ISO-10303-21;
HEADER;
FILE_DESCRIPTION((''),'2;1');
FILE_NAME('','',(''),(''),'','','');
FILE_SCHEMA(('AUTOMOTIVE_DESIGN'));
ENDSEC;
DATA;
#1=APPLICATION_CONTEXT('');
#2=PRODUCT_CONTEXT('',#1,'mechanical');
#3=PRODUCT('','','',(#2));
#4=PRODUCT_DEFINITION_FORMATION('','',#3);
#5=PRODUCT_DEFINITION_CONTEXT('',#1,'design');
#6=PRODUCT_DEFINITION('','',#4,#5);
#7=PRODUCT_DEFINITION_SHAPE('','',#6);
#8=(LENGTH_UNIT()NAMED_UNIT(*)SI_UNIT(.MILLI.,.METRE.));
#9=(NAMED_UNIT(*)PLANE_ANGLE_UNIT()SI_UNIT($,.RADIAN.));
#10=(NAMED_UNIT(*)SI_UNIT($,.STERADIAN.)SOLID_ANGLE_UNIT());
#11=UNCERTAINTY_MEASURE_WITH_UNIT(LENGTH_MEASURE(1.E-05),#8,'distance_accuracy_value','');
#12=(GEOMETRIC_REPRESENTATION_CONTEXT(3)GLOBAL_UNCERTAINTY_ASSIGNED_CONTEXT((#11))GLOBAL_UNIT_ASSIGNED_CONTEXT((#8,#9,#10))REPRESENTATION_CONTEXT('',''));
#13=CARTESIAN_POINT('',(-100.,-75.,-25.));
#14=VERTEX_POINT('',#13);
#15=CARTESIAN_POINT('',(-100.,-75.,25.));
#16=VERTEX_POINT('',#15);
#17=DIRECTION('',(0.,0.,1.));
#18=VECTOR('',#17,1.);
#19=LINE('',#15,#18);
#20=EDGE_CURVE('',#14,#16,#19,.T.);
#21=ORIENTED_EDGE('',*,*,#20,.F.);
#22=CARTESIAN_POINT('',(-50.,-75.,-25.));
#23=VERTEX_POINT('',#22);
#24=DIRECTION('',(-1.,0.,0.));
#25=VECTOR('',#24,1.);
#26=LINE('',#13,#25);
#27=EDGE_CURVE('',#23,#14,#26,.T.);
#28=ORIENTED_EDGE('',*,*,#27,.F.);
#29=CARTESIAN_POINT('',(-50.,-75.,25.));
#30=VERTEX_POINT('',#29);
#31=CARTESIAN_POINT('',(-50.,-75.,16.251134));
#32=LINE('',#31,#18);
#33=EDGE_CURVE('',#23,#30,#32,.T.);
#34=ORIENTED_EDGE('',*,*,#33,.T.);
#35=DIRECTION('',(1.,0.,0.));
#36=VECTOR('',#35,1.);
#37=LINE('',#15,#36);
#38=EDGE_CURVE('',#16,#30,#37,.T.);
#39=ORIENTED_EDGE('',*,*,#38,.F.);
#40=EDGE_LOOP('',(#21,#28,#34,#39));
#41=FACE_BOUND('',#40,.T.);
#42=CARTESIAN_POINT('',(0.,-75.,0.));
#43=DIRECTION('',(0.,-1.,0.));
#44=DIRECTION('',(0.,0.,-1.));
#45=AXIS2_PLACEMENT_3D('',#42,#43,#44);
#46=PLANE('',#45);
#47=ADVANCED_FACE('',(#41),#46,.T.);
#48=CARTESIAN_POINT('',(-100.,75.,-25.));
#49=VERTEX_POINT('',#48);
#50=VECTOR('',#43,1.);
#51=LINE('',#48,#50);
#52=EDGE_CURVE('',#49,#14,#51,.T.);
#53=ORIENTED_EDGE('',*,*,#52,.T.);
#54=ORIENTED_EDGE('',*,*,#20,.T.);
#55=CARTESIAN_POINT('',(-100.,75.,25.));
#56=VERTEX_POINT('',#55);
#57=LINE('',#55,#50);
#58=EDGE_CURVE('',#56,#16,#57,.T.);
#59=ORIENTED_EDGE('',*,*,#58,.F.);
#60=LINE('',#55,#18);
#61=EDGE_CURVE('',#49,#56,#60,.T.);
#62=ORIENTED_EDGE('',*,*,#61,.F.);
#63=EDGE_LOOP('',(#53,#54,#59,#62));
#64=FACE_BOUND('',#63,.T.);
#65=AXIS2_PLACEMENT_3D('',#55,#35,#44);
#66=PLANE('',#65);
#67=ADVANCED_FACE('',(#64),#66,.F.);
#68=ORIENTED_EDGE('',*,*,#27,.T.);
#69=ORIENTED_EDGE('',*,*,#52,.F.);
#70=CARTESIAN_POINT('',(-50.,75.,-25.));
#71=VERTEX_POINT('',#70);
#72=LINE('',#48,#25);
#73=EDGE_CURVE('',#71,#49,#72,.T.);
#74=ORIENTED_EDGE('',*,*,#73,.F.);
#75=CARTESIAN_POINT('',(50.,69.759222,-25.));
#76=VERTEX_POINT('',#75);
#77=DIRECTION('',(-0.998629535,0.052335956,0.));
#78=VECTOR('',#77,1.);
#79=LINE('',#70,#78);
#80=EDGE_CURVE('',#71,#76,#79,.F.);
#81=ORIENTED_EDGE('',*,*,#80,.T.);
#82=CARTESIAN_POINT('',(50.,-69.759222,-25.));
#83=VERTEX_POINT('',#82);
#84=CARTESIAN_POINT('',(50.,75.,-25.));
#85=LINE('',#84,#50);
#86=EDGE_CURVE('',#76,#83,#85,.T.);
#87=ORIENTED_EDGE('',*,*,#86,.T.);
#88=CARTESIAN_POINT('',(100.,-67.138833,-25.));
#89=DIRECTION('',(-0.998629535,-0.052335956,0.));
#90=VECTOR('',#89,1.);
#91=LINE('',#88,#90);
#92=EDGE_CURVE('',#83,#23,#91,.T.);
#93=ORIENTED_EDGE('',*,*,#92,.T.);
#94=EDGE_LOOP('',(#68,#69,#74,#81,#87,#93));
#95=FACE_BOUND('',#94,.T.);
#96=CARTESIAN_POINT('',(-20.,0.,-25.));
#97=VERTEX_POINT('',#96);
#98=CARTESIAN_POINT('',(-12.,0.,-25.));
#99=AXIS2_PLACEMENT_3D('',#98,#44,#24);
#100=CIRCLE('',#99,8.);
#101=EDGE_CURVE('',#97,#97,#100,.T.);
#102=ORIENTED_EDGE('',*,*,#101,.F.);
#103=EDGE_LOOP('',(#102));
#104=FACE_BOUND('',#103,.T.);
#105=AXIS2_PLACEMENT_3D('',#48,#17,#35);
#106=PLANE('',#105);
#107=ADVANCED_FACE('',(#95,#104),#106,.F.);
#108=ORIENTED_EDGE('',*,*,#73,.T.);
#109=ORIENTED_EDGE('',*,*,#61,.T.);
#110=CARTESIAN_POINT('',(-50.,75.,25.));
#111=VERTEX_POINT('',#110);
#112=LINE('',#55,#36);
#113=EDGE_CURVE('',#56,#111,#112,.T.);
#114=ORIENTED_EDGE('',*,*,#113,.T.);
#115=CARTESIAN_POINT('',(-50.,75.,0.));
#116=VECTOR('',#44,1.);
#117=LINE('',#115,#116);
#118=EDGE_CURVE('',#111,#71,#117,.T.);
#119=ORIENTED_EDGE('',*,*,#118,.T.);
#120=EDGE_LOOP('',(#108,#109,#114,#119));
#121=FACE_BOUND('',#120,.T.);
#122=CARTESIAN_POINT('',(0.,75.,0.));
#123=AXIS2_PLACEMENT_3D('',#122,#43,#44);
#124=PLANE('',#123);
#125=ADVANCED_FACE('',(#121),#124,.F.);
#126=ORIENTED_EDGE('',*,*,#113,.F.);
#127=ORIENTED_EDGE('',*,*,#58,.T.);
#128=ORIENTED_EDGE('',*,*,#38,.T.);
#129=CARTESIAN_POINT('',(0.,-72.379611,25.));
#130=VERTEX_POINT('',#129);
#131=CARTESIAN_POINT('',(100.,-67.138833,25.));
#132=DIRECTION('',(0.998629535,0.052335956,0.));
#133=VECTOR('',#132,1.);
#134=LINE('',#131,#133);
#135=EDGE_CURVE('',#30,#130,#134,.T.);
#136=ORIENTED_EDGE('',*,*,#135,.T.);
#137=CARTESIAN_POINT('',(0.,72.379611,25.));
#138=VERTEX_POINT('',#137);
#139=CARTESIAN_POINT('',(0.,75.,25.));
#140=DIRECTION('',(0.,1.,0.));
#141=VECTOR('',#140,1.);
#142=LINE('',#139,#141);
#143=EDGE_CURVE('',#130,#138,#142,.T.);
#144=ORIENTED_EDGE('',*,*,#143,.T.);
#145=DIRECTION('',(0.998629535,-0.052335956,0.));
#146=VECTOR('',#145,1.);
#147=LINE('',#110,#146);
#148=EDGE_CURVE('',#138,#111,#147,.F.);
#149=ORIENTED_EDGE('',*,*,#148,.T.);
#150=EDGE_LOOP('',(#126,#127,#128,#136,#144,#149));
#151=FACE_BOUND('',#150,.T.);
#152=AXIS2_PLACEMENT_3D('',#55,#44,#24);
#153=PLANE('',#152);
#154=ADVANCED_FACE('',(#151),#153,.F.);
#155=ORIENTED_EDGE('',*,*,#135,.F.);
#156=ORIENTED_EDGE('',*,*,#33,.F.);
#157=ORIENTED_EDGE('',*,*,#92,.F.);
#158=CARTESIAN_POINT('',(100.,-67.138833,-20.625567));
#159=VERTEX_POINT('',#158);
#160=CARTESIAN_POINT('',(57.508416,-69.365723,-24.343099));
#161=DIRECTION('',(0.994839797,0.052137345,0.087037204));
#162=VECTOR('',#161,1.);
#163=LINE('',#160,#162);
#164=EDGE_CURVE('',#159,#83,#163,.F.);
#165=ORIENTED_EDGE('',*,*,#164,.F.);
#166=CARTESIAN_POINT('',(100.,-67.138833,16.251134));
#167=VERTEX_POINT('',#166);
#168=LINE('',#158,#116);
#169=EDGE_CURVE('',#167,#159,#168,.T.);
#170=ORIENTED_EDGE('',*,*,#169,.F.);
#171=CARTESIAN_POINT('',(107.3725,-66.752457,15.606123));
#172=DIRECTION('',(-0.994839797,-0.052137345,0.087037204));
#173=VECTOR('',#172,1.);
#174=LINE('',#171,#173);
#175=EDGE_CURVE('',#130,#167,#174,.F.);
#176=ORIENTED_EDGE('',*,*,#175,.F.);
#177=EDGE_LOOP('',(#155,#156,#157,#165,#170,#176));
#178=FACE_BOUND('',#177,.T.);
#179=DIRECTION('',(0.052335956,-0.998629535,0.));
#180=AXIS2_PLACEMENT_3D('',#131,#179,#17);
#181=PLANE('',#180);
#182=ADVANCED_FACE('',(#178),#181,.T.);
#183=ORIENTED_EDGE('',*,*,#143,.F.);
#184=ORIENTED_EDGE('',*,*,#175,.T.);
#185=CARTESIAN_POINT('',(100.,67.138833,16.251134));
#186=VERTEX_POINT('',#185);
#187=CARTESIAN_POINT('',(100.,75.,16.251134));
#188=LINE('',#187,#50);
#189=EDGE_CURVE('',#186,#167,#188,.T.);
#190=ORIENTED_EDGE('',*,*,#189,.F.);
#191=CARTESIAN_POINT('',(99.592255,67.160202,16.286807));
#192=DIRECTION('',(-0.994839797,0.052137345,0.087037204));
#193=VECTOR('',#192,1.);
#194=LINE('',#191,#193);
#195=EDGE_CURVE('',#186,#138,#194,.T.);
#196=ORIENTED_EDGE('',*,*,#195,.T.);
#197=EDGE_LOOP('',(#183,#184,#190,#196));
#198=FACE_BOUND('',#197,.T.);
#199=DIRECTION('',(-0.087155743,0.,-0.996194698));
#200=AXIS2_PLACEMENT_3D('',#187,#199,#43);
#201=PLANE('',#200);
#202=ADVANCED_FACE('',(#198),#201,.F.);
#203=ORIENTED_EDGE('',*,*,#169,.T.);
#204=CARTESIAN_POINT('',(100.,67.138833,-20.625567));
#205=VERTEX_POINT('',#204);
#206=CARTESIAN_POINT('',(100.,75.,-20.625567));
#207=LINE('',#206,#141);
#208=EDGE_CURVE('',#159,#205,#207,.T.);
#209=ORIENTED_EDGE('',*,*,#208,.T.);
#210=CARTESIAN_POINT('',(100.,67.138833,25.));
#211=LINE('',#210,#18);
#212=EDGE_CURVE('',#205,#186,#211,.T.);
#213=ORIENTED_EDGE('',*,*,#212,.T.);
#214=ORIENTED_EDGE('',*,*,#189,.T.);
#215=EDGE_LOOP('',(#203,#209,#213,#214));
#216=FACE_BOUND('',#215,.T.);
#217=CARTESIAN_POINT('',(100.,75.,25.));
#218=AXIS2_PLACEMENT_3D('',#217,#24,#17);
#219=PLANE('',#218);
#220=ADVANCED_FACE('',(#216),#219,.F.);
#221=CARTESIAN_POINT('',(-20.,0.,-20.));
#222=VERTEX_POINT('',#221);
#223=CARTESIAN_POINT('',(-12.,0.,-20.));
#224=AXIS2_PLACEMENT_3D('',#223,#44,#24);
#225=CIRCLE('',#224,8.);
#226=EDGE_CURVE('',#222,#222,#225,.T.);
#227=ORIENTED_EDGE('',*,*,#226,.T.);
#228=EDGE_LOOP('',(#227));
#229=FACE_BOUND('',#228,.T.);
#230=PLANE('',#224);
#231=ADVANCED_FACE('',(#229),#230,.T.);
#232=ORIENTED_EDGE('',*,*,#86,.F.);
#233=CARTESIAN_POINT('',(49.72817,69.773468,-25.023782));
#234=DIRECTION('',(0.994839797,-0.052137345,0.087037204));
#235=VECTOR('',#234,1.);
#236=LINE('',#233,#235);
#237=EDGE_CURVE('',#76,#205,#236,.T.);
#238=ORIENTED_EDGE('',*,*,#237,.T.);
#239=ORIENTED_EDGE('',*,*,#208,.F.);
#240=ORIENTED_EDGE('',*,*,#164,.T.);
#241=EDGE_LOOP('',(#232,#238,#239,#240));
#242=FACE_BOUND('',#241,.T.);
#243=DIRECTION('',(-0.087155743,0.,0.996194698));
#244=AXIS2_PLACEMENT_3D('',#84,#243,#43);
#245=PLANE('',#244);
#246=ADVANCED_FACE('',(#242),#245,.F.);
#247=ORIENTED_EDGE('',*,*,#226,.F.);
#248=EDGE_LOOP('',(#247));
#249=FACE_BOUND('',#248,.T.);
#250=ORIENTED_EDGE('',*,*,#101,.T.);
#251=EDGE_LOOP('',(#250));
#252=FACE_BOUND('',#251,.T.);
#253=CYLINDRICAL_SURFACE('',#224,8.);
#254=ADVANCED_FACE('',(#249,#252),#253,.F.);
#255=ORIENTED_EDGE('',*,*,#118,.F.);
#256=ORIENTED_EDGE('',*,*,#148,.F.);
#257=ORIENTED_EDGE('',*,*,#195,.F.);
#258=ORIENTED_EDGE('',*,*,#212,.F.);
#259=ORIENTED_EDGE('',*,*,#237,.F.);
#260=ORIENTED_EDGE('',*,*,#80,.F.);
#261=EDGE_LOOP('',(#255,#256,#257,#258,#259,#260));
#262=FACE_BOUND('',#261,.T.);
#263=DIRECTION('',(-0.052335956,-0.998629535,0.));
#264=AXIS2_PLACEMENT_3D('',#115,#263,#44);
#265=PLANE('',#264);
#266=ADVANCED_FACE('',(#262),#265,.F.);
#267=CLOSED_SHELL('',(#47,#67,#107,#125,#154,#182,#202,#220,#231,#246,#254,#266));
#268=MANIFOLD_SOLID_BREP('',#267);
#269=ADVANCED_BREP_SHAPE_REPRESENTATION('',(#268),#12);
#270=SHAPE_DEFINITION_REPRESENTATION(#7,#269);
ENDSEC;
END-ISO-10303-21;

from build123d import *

# Parameters (mm, degrees)
SKETCH_1_W          = 200
SKETCH_1_H          = 50
EXTRUDE_1_DEPTH     = 75
CHAMFER_1_SIZE      = 100
CHAMFER_1_SIZE2     = 8.748866353
CHAMFER_2_SIZE      = 50
CHAMFER_2_SIZE2     = 4.374433176
CHAMFER_3_SIZE      = 150
CHAMFER_3_SIZE2     = 7.861166892
CHAMFER_4_SIZE      = 150
CHAMFER_4_SIZE2     = 7.861166892
SKETCH_2_R          = 8
CUT_EXTRUDE_1_DEPTH = 5


with BuildPart() as part:
    # 草图1 → 凸台-拉伸1 (new, symmetric)
    with BuildSketch(Plane(origin=(0, 0, 0), x_dir=(1, 0, 0), z_dir=(0, 1, 0))):
        Rectangle(SKETCH_1_W, SKETCH_1_H)
    extrude(amount=EXTRUDE_1_DEPTH, both=True)

    # 倒角1
    chamfer_1_edges = [part.edges().sort_by_distance(p)[0] for p in [
        (100, 0, 25),
    ]]
    chamfer_1_side = [part.faces().sort_by_distance(p)[0] for p in [
        (0, 0, 25),
    ]]
    chamfer(chamfer_1_edges, length=CHAMFER_1_SIZE, length2=CHAMFER_1_SIZE2, reference=chamfer_1_side[0])

    # 倒角2
    chamfer_2_edges = [part.edges().sort_by_distance(p)[0] for p in [
        (100, 0, -25),
    ]]
    chamfer_2_side = [part.faces().sort_by_distance(p)[0] for p in [
        (0, 0, -25),
    ]]
    chamfer(chamfer_2_edges, length=CHAMFER_2_SIZE, length2=CHAMFER_2_SIZE2, reference=chamfer_2_side[0])

    # 倒角3
    chamfer_3_edges = [part.edges().sort_by_distance(p)[0] for p in [
        (100, -75, -2.187216588),
    ]]
    chamfer_3_side = [part.faces().sort_by_distance(p)[0] for p in [
        (-4.049031765, -75, -0.749568205),
    ]]
    chamfer(chamfer_3_edges, length=CHAMFER_3_SIZE, length2=CHAMFER_3_SIZE2, reference=chamfer_3_side[0])

    # 倒角4
    chamfer_4_edges = [part.edges().sort_by_distance(p)[0] for p in [
        (100, 75, -2.187216588),
    ]]
    chamfer_4_side = [part.faces().sort_by_distance(p)[0] for p in [
        (-4.049031765, 75, -0.749568205),
    ]]
    chamfer(chamfer_4_edges, length=CHAMFER_4_SIZE, length2=CHAMFER_4_SIZE2, reference=chamfer_4_side[0])

    # 草图2 → 切除-拉伸1 (cut)
    with BuildSketch(Plane(origin=(0, 0, -25), x_dir=(-1, 0, 0), z_dir=(0, 0, -1))):
        with Locations((12, 0)):
            Circle(SKETCH_2_R)
    extrude(amount=-CUT_EXTRUDE_1_DEPTH, mode=Mode.SUBTRACT)


solid = part.part
